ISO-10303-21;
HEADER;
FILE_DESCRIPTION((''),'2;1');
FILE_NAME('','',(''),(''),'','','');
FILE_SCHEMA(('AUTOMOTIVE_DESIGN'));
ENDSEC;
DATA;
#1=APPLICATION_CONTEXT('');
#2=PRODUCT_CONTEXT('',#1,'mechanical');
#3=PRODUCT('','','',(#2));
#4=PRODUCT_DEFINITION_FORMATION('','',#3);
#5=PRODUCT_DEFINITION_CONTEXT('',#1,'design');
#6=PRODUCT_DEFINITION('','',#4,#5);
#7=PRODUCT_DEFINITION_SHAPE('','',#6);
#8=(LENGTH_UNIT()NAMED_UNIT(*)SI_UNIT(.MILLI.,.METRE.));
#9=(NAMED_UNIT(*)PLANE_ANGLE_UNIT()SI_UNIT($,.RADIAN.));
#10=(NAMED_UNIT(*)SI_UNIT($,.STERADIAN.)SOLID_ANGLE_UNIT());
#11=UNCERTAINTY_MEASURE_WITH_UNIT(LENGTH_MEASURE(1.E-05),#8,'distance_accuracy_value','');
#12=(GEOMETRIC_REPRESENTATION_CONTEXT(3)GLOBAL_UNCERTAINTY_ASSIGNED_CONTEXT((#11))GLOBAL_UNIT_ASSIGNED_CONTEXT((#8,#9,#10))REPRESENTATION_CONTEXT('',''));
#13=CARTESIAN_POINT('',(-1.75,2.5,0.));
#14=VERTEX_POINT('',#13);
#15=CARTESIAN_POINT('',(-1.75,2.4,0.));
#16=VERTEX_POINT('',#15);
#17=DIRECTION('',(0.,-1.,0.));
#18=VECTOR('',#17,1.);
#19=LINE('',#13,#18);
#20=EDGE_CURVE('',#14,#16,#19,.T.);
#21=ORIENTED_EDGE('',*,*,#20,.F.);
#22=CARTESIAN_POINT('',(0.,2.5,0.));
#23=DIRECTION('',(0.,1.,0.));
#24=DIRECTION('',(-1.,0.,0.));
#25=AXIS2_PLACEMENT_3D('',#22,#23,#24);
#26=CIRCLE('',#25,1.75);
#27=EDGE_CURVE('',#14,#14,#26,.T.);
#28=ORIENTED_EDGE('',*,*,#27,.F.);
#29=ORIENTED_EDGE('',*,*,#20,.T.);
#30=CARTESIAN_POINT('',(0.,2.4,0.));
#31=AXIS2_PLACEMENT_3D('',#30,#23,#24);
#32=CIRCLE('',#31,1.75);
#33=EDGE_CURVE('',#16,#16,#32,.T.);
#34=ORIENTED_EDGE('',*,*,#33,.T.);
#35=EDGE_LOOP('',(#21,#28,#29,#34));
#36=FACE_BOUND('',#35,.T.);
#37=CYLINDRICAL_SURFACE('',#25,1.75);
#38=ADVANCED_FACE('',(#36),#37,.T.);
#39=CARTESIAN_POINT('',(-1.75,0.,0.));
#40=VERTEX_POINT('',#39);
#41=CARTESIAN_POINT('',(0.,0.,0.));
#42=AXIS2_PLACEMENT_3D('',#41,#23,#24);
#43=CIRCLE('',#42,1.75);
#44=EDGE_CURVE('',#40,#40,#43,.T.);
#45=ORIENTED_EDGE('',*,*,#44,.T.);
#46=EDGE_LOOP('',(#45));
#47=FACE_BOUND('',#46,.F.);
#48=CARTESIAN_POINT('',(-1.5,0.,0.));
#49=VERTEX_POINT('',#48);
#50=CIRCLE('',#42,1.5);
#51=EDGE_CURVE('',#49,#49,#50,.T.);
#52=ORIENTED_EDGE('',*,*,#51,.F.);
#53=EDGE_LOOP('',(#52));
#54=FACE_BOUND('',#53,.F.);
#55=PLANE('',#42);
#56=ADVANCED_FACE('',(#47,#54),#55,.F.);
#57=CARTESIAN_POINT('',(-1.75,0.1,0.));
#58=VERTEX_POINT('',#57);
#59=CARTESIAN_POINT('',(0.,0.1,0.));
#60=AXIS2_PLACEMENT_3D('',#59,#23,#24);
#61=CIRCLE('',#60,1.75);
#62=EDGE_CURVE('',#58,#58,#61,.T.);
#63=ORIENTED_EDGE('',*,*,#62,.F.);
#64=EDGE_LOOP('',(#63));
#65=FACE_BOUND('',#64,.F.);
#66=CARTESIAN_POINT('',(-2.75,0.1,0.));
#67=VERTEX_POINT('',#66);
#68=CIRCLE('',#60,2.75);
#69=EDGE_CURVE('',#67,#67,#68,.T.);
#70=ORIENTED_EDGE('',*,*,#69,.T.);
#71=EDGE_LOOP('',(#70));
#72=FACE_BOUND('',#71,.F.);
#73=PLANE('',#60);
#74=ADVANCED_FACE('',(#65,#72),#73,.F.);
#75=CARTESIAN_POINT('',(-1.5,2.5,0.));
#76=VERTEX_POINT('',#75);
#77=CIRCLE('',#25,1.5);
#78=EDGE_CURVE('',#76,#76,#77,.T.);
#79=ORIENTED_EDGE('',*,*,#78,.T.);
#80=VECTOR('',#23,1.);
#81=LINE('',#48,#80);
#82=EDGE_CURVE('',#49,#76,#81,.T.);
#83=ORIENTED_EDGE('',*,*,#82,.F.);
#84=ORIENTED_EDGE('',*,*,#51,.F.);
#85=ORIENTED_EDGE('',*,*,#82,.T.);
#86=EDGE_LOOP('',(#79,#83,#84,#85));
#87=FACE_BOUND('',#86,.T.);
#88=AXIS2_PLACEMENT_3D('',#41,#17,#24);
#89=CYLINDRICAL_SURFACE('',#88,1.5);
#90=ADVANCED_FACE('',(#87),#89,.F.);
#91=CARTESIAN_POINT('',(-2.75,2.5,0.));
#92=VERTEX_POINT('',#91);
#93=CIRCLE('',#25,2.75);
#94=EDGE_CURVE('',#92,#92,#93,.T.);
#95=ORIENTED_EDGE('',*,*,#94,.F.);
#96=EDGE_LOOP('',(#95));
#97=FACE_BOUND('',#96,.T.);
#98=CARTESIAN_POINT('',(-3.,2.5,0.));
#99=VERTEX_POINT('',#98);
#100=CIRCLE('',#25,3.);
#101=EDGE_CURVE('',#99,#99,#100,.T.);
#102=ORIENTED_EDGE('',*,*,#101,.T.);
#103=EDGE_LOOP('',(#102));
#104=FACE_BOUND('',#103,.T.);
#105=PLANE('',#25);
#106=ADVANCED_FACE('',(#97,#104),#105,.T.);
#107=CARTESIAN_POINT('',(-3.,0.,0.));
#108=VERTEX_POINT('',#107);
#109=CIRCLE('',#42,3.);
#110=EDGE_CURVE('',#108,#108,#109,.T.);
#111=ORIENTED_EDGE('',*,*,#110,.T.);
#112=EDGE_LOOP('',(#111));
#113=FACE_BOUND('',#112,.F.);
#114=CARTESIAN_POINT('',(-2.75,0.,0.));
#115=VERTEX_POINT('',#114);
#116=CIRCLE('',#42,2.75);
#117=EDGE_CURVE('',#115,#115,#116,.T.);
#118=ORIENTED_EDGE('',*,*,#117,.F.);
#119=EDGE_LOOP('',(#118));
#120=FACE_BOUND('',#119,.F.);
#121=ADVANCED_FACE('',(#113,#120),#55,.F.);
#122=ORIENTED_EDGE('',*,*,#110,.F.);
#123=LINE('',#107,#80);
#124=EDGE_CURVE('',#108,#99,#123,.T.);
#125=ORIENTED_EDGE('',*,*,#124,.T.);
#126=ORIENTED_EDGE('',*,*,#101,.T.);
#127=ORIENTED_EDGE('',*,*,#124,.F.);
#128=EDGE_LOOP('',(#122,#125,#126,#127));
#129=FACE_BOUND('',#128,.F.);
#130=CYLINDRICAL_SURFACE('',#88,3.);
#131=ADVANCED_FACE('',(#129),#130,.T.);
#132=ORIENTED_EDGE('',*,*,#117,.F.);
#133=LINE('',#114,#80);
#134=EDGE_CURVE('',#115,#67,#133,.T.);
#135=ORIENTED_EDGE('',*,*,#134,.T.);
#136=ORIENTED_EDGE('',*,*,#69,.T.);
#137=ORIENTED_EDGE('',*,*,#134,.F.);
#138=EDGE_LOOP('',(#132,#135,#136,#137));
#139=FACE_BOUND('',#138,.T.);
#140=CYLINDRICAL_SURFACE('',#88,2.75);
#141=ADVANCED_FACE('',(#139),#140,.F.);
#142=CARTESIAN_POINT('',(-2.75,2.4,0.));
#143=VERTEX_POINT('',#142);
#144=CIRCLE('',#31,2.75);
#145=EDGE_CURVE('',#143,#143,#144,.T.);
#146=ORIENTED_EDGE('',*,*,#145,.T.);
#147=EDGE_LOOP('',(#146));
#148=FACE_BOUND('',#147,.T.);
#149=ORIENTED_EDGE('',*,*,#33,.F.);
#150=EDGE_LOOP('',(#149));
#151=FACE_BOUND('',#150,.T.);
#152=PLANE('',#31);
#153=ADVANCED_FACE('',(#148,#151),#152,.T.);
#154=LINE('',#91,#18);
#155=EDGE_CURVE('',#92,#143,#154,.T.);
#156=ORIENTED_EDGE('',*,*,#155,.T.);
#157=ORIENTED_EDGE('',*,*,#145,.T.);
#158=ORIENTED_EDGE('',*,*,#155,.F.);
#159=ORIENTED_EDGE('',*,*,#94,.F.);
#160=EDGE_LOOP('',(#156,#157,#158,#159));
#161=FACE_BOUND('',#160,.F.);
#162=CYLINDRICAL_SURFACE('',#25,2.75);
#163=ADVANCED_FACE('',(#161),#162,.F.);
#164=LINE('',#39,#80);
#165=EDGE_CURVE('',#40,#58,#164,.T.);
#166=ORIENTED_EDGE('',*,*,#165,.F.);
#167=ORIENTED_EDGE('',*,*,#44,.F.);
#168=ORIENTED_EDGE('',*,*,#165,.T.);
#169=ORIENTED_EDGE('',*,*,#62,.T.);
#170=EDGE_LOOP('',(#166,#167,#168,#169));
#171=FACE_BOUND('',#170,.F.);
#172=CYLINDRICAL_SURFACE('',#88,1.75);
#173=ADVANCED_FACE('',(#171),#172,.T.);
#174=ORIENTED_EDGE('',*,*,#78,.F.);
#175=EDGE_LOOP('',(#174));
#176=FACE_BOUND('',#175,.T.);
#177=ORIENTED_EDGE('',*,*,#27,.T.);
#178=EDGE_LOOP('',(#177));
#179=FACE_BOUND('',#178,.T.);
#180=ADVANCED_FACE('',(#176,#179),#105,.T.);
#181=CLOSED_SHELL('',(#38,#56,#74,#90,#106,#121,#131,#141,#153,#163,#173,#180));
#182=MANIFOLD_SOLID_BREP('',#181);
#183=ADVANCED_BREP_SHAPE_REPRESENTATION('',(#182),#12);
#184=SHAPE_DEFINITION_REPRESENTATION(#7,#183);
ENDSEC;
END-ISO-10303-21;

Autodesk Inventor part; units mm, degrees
ref_plane "YZ Plane" through (0, 0, 0) normal (1, 0, 0) x (0, 1, 0)
ref_plane "XZ Plane" through (0, 0, 0) normal (0, 1, 0) x (-1, 0, 0)
ref_plane "XY Plane" through (0, 0, 0) normal (0, 0, 1) x (1, 0, 0)
sketch "Sketch1" plane through (0, 0, 0) normal (0, 1, 0) x (-1, 0, 0)
  circle A0 centre (0, 0) radius 3
  circle A1 centre (0, 0) radius 1.5
  circle A2 centre (0, 0) radius 1.75
  circle A3 centre (0, 0) radius 2.75
  dimension "d0" = 6
  dimension "d1" = 3
  dimension "d2" = 3.5
  dimension "d3" = 5.5
extrude "Extrusion1" add sketch "Sketch1" along normal blind 2.5 contours A0 | A2 | A3
extrude "Extrusion2" cut sketch "Sketch1" against normal blind 0.1 from surface at 2.5 contours A3
extrude "Extrusion3" cut sketch "Sketch1" along normal blind 0.1 contours A3
properties part number "Miniatur Kugellager MR 63 2RS 3x6x2.5 mm"
